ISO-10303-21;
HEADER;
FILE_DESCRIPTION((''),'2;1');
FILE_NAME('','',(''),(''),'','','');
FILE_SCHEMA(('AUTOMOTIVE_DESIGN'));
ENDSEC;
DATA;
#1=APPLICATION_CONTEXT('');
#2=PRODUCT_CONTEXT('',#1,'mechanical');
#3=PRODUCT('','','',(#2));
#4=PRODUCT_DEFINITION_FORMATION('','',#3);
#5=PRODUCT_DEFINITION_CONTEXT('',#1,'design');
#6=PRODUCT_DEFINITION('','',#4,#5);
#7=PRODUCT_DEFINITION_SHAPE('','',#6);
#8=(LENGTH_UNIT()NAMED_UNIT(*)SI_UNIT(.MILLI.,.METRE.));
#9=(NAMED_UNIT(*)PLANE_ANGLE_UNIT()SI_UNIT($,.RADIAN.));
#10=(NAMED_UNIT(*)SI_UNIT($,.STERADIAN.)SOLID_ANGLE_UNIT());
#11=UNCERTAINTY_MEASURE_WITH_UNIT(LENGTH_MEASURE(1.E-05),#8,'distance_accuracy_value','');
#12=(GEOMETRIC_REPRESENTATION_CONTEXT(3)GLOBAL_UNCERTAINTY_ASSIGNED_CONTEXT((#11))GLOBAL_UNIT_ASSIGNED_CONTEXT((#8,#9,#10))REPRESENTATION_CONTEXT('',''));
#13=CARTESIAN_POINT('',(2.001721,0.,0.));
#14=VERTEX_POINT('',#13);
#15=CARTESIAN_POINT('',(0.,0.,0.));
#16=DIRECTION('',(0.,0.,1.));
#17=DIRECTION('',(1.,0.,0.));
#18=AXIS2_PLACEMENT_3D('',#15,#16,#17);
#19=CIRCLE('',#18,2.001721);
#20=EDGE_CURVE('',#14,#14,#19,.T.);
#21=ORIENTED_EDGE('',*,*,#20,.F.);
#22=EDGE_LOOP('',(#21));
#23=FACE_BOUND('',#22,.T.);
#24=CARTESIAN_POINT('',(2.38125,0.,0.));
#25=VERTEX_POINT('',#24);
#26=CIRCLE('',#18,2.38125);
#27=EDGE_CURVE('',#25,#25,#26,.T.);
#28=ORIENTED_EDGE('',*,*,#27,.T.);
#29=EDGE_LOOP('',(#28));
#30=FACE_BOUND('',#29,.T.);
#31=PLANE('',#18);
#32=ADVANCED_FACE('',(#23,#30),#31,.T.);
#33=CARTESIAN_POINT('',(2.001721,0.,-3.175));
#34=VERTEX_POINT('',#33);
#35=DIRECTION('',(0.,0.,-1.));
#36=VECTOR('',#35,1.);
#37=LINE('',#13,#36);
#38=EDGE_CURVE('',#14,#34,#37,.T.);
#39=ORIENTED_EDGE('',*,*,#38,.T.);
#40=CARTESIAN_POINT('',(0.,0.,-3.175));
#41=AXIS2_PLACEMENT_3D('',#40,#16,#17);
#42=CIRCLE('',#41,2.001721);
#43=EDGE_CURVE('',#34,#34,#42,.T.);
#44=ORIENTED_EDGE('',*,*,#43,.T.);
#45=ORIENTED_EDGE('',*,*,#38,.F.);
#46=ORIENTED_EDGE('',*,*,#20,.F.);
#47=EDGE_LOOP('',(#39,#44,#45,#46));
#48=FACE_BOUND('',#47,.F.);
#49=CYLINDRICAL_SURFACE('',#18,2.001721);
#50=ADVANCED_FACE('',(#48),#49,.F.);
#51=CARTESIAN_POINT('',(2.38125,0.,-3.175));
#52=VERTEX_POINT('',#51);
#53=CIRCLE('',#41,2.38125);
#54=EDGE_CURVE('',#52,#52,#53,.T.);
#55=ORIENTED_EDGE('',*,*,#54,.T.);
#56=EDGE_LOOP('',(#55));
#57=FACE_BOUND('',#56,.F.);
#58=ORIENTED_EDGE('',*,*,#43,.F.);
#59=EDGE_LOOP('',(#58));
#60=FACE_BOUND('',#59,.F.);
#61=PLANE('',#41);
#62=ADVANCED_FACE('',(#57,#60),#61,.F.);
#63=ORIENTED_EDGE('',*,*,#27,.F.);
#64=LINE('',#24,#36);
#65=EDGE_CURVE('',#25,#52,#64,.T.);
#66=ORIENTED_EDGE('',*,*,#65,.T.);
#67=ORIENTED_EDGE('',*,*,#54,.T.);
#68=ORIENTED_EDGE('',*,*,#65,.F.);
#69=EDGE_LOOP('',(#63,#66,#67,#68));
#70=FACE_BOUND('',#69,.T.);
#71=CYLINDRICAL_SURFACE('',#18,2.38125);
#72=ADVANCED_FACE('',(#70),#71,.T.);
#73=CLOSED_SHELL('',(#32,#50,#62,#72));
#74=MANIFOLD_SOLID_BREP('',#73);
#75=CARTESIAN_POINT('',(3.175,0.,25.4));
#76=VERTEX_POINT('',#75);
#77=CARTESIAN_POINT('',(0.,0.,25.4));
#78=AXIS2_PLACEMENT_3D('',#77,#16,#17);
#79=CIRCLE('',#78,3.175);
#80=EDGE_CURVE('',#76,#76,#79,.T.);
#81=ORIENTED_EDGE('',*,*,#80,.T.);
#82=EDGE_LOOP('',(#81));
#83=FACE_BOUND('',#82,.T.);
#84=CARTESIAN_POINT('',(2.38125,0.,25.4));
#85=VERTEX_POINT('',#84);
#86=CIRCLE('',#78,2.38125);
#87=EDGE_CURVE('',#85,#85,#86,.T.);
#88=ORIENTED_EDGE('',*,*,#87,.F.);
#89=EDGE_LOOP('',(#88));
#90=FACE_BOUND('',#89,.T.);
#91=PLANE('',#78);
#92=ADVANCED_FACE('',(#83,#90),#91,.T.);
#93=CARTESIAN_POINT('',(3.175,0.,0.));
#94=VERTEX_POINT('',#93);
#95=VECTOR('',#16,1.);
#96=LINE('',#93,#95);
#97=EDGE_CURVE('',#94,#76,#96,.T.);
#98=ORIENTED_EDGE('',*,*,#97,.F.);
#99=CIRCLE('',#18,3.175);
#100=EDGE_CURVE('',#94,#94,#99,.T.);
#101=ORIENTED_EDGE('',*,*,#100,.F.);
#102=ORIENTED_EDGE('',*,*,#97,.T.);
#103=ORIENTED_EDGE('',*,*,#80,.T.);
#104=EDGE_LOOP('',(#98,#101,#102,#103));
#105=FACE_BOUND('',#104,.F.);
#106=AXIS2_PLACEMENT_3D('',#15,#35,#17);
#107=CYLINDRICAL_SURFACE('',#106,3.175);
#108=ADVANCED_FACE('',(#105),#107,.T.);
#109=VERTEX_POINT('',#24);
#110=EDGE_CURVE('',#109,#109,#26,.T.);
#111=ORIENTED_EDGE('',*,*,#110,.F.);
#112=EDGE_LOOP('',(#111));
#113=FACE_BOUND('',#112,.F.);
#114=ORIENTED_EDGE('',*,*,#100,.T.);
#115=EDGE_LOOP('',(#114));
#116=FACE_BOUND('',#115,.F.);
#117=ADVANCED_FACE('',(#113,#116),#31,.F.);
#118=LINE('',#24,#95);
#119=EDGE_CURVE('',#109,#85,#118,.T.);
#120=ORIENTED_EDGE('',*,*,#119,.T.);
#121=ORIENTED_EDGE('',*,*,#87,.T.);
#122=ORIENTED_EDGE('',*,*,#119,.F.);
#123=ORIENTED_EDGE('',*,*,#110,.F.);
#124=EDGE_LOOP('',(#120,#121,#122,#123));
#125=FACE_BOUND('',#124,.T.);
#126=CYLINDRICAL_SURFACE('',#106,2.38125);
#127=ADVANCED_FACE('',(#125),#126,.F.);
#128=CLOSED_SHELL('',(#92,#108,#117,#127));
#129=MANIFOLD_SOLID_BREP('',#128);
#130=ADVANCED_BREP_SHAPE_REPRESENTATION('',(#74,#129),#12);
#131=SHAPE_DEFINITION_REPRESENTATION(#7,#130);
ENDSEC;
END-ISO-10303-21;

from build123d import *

# Parameters (mm, degrees)
F0_R     = 3.175
F0_R_2   = 2.38125
F1_DEPTH = 25.4
F0_R_3   = 2.001721
F2_DEPTH = 3.175


with BuildPart() as f1:
    # F0 (on Top) → F1 (new body)
    with BuildSketch(Plane.XY):
        Circle(F0_R)
        Circle(F0_R_2, mode=Mode.SUBTRACT)
    extrude(amount=F1_DEPTH)


with BuildPart() as f2:
    # F0 (on Top) → F2 (new body)
    with BuildSketch(Plane.XY):
        Circle(F0_R_2)
        Circle(F0_R_3, mode=Mode.SUBTRACT)
    extrude(amount=-F2_DEPTH)


solid = Compound([f1.part, f2.part])
